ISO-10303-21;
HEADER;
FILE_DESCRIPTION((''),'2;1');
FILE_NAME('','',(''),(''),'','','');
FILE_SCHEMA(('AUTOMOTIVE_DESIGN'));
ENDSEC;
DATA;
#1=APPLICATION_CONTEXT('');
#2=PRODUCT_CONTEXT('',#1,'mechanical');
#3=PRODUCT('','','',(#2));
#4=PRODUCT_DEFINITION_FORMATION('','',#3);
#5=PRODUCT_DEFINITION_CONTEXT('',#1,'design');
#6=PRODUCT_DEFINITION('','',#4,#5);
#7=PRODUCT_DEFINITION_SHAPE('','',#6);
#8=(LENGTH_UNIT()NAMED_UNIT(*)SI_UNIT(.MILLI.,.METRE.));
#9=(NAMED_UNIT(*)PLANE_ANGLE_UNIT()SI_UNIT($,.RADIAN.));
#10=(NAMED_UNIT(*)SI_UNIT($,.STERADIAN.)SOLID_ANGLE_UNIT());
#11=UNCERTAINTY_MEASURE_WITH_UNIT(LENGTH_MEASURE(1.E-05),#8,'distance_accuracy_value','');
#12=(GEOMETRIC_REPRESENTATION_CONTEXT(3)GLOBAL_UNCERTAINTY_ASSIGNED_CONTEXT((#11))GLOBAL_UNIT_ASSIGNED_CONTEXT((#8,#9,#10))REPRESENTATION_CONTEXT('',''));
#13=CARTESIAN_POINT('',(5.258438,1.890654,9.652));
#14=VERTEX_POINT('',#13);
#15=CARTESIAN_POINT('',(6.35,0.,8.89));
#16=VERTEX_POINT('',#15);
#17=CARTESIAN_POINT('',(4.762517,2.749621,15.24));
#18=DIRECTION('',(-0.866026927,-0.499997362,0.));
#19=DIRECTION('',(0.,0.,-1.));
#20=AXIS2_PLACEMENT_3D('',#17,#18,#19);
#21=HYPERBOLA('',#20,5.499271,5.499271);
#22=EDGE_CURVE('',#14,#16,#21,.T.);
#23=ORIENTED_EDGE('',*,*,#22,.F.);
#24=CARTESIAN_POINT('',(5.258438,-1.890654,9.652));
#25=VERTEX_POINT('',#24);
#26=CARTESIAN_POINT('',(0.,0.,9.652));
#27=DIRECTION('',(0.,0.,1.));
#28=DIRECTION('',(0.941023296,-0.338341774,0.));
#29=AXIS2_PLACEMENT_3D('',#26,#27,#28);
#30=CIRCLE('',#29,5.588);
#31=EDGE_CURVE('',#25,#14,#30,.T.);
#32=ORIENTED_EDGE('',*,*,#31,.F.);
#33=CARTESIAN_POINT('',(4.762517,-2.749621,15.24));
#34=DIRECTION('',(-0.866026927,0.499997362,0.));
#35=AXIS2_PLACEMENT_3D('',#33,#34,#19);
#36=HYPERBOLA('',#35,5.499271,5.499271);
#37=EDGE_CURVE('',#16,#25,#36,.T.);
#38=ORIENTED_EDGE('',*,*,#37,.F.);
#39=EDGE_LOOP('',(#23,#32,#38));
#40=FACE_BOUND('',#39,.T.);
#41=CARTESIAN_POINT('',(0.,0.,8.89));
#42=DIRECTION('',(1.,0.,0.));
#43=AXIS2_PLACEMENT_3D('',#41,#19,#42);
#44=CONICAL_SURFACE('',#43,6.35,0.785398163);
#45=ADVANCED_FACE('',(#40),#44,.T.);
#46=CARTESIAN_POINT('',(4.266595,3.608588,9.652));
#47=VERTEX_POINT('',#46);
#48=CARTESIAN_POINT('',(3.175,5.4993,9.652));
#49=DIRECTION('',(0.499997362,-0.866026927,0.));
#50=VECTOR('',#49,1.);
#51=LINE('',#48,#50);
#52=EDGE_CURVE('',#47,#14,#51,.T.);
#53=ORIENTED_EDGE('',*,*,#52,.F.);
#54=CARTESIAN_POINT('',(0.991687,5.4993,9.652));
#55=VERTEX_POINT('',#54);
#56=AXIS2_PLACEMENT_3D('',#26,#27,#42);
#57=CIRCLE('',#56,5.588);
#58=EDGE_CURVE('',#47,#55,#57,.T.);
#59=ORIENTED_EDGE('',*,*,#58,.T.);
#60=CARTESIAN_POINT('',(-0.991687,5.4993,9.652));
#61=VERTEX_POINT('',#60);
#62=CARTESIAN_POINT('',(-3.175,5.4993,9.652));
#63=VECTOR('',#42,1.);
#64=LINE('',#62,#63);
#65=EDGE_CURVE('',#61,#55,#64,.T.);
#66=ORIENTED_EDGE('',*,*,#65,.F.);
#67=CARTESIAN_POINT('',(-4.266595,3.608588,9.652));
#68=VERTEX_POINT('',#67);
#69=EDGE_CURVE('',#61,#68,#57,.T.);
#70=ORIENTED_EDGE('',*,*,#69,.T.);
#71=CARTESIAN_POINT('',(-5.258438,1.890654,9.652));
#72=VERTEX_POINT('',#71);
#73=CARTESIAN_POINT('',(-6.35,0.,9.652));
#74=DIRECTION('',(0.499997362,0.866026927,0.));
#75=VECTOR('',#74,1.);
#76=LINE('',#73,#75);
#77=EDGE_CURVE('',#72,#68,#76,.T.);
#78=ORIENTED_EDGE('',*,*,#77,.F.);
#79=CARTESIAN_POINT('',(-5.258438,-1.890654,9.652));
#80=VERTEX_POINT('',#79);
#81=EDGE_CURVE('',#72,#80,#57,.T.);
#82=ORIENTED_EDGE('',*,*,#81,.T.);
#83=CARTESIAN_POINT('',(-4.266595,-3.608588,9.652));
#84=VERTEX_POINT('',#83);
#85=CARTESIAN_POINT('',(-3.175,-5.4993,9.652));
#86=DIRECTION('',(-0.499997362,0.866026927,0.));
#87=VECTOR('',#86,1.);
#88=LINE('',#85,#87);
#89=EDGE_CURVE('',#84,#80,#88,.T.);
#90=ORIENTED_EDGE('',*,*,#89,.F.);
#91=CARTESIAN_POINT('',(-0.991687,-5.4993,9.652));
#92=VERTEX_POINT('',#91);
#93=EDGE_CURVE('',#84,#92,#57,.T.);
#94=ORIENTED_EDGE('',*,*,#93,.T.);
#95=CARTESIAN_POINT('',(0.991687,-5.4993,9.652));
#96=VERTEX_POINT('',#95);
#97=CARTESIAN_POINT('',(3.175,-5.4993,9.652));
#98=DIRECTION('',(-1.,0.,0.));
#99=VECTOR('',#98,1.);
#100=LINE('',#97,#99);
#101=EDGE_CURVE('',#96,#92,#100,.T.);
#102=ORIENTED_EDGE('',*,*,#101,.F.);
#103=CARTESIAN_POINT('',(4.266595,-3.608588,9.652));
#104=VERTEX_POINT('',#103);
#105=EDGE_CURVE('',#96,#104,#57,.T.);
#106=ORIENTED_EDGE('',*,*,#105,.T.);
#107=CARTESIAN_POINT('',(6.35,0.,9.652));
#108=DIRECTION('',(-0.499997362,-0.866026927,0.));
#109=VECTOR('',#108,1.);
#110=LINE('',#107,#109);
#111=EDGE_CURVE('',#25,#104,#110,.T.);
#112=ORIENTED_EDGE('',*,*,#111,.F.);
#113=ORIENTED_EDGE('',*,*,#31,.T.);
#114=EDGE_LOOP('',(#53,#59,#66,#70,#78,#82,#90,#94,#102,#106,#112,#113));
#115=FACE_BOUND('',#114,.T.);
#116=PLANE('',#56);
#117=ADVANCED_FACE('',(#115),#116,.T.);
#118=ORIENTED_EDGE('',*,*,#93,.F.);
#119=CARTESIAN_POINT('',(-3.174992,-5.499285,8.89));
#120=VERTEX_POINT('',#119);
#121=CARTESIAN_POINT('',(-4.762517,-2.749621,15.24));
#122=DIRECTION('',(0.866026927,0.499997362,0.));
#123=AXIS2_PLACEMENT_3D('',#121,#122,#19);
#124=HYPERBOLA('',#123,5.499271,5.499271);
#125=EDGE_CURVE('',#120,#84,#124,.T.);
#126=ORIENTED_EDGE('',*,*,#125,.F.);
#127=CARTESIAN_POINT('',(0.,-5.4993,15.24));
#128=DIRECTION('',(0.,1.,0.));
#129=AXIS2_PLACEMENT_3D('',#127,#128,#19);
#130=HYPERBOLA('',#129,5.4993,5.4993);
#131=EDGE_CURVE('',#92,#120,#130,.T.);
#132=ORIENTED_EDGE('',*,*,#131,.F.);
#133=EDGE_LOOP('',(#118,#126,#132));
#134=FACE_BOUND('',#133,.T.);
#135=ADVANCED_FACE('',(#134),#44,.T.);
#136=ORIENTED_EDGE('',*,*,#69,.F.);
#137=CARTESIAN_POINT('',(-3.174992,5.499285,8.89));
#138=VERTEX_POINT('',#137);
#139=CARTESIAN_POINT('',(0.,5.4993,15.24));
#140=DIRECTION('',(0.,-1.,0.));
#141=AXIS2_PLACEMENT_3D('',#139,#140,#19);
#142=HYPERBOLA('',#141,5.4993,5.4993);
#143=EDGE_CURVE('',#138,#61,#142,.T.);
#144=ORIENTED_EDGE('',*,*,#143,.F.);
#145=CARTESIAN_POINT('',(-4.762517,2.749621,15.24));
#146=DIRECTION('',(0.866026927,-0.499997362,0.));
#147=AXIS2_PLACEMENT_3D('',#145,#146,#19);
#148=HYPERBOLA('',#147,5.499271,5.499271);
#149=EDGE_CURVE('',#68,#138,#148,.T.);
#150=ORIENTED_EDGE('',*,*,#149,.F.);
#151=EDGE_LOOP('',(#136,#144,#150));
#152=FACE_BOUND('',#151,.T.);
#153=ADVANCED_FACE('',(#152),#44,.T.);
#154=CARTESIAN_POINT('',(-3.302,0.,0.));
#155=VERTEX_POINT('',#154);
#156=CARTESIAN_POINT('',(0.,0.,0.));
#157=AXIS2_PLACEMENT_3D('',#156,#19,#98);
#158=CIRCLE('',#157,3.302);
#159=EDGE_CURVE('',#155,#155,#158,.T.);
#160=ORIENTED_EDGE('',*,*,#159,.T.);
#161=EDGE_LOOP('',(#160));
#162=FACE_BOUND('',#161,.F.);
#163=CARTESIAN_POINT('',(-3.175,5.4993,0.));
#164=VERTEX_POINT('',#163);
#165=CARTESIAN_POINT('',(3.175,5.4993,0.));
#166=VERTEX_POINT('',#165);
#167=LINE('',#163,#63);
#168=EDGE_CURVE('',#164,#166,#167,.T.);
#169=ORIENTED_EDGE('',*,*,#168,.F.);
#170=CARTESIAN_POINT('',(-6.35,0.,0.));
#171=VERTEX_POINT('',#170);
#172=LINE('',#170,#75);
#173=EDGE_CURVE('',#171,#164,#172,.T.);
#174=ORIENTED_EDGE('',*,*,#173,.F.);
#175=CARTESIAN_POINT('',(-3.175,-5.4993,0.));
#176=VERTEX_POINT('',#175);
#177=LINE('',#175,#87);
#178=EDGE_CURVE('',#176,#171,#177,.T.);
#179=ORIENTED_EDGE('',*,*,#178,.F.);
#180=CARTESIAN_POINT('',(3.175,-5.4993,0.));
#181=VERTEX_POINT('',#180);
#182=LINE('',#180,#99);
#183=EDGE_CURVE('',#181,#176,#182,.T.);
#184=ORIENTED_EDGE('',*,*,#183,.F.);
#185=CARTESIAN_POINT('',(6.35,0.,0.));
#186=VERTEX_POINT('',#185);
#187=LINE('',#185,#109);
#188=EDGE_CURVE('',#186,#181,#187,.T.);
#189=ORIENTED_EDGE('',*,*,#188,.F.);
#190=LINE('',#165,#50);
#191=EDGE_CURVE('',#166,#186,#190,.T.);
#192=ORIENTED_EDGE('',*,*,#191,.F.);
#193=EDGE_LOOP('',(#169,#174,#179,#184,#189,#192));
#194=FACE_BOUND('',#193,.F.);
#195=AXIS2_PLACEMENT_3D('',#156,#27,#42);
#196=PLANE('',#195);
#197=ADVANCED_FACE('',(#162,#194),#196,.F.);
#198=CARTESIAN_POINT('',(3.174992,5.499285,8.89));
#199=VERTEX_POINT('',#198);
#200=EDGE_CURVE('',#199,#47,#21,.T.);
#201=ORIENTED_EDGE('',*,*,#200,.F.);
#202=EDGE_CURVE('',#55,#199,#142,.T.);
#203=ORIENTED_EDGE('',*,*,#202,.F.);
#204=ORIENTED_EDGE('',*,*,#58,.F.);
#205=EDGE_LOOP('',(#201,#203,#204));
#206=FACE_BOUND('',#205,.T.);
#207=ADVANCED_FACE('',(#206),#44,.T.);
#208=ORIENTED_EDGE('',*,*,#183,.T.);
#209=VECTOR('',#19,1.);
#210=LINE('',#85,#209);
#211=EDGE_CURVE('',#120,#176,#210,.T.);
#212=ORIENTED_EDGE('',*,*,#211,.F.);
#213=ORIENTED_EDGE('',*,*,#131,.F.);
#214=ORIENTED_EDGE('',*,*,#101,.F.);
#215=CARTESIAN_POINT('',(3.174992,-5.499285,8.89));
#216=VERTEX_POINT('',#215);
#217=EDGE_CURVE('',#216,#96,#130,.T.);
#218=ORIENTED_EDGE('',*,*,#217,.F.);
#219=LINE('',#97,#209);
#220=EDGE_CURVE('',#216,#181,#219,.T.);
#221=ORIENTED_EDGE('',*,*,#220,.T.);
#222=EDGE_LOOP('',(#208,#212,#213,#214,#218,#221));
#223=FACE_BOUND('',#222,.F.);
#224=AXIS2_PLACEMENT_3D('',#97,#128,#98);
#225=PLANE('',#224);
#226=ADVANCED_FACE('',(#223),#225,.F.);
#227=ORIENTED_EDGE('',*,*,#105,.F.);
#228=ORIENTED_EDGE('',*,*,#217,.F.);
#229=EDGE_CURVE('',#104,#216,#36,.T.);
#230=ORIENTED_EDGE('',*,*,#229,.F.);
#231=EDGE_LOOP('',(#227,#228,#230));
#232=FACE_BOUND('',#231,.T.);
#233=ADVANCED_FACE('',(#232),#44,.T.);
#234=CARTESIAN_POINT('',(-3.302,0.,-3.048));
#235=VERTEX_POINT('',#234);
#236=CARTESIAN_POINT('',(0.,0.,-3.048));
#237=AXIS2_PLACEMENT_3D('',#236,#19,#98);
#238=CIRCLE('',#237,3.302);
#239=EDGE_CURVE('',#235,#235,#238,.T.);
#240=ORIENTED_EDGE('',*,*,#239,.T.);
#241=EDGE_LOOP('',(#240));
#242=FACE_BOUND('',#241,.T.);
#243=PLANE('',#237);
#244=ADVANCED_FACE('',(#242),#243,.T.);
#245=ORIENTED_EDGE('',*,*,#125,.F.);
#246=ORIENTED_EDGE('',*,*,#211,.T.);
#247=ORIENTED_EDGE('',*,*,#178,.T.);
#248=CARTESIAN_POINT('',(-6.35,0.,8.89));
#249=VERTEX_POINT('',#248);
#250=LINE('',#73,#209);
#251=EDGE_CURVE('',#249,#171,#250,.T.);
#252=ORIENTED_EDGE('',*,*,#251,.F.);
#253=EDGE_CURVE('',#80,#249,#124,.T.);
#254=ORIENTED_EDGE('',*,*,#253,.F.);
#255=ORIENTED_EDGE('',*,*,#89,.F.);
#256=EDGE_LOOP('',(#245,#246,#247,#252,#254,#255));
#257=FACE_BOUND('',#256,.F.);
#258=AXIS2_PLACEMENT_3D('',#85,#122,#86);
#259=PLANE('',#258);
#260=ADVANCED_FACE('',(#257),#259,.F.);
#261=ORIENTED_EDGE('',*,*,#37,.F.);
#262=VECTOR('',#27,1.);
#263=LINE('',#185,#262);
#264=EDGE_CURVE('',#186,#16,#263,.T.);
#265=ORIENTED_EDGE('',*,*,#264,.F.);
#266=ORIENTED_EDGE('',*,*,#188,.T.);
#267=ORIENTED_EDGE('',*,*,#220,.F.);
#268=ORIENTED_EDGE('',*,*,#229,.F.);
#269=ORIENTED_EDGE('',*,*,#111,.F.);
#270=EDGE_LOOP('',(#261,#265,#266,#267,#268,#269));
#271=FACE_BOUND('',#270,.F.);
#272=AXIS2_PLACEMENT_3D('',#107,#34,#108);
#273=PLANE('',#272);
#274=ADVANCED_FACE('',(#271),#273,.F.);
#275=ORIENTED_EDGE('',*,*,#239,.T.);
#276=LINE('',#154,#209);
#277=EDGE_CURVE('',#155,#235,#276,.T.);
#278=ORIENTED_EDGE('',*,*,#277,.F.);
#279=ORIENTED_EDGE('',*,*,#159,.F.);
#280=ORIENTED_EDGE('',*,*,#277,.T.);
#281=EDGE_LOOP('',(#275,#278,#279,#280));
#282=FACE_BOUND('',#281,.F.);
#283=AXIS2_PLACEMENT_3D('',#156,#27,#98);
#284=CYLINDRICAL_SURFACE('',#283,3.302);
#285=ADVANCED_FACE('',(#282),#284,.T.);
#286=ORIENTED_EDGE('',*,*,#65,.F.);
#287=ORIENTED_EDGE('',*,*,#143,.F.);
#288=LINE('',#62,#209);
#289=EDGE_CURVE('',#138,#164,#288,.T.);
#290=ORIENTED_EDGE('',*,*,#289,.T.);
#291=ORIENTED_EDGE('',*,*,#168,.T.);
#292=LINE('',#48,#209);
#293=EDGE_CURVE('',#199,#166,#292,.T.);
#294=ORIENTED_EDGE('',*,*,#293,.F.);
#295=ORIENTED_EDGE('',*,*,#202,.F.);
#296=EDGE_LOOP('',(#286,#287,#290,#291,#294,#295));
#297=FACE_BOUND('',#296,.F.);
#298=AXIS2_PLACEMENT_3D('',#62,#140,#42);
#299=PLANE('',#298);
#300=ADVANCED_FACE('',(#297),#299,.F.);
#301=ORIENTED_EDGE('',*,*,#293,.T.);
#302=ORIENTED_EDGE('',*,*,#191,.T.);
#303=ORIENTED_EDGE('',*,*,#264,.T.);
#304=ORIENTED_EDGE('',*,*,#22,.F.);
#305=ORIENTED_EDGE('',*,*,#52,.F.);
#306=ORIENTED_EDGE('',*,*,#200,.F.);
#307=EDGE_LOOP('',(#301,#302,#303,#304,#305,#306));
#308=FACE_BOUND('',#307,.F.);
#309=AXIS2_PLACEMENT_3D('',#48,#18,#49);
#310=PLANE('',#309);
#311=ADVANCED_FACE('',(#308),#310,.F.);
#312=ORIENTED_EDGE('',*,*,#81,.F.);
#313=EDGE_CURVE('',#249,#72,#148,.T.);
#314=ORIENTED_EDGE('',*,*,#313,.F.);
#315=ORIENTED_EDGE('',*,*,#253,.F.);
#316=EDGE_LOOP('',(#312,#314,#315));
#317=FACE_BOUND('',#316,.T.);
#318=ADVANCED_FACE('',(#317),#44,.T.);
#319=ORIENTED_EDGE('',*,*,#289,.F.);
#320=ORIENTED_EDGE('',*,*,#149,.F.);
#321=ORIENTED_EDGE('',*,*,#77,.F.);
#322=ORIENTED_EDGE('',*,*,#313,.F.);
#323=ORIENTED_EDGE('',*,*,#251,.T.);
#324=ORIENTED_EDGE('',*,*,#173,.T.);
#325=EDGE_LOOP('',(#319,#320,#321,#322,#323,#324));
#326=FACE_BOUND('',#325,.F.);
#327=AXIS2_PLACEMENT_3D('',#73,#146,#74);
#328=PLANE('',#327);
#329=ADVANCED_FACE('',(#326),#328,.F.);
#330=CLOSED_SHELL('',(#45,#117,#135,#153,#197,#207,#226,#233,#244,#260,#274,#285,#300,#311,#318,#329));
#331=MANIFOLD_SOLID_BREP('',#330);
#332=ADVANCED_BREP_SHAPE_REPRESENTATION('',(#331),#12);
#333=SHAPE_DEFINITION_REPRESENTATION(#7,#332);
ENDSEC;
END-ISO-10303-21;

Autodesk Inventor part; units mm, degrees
ref_plane "YZ Plane" through (0, 0, 0) normal (1, 0, 0) x (0, 1, 0)
ref_plane "XZ Plane" through (0, 0, 0) normal (0, 1, 0) x (-1, 0, 0)
ref_plane "XY Plane" through (0, 0, 0) normal (0, 0, 1) x (1, 0, 0)
sketch "Sketch1" plane through (0, 0, 0) normal (0, 0, 1) x (1, 0, 0)
  circle A0 centre (0, 0) radius 6.35
  dimension "d0" = 12.7
extrude "Extrusion1" add sketch "Sketch1" along normal blind 9.652
sketch "Sketch2" plane through (0, 0, 0) normal (0, 0, -1) x (-1, 0, 0)
  circle A0 centre (0, 0) radius 3.302
  dimension "d3" = 6.604
extrude "Extrusion2" add sketch "Sketch2" along normal blind 3.048
chamfer "Chamfer1" distance 0.762 angle 45 1 edges at (-6.35, 0, 9.652) measured on face at (-1.8127, -0.4771, 9.652)
sketch "Sketch3" plane through (0, 0, 9.652) normal (0, 0, 1) x (1, 0, 0)
  circle A0 centre (0, 0) radius 6.35 projected
  line L0 (3.175, 5.4993) -> (6.35, 0)
  line L1 (6.35, 0) -> (3.175, -5.4993)
  line L2 (3.175, -5.4993) -> (-3.175, -5.4993)
  line L3 (-3.175, -5.4993) -> (-6.35, 0)
  line L4 (-6.35, 0) -> (-3.175, 5.4993)
  line L5 (-3.175, 5.4993) -> (3.175, 5.4993)
  line L6 (-10.603, 0.0515) -> (9.8262, 0.0515) construction
extrude "Extrusion3" cut sketch "Sketch3" against normal up to surface (9.652 mm away) contours L0 A0 | A0 L1 | L5 A0 | A0 L2 | L4 A0 | A0 L3
sketch "Sketch5" plane through (0, 0, -3.048) normal (0, 0, -1) x (-1, 0, 0)
  circle A0 centre (0, 0) radius 3.937
  dimension "d15" = 7.874
extrude "Extrusion5" [suppressed]
chamfer "Chamfer2" [suppressed]
thread "Thread1"
sketch "Sketch6" plane through (-3.175, 5.4993, 11.0682) normal (0, 1, 0) x (1, 0, 0)
  line L0 (0, 0) -> (0, 9.652)
  line L1 (0, 7.7662) -> (6.35, 7.7662)
  line L2 (6.35, 0) -> (6.35, 9.652)
  line L3 (-0.762, 14.1162) -> (7.112, 14.1162)
  line L4 (-0.762, 14.1162) -> (7.112, 14.1162) projected
  point P0 (3.175, 0)
  point P1 (3.175, 7.7662)
  dimension "d25" = 6.35
  dimension "d36" = 6.35
  dimension "d37" = 3.175
  dimension "d45" = 0
hole "Hole1" [suppressed]
pattern_circular "Circular Pattern1" [suppressed]
sketch "Sketch7" plane through (0, 0, 9.652) normal (0, 0, 1) x (1, 0, 0)
  point P0 (0, 0)
  point P1 (0, 0)
hole "Hole2" [suppressed]
properties part number "13_5_CylinderBase"
